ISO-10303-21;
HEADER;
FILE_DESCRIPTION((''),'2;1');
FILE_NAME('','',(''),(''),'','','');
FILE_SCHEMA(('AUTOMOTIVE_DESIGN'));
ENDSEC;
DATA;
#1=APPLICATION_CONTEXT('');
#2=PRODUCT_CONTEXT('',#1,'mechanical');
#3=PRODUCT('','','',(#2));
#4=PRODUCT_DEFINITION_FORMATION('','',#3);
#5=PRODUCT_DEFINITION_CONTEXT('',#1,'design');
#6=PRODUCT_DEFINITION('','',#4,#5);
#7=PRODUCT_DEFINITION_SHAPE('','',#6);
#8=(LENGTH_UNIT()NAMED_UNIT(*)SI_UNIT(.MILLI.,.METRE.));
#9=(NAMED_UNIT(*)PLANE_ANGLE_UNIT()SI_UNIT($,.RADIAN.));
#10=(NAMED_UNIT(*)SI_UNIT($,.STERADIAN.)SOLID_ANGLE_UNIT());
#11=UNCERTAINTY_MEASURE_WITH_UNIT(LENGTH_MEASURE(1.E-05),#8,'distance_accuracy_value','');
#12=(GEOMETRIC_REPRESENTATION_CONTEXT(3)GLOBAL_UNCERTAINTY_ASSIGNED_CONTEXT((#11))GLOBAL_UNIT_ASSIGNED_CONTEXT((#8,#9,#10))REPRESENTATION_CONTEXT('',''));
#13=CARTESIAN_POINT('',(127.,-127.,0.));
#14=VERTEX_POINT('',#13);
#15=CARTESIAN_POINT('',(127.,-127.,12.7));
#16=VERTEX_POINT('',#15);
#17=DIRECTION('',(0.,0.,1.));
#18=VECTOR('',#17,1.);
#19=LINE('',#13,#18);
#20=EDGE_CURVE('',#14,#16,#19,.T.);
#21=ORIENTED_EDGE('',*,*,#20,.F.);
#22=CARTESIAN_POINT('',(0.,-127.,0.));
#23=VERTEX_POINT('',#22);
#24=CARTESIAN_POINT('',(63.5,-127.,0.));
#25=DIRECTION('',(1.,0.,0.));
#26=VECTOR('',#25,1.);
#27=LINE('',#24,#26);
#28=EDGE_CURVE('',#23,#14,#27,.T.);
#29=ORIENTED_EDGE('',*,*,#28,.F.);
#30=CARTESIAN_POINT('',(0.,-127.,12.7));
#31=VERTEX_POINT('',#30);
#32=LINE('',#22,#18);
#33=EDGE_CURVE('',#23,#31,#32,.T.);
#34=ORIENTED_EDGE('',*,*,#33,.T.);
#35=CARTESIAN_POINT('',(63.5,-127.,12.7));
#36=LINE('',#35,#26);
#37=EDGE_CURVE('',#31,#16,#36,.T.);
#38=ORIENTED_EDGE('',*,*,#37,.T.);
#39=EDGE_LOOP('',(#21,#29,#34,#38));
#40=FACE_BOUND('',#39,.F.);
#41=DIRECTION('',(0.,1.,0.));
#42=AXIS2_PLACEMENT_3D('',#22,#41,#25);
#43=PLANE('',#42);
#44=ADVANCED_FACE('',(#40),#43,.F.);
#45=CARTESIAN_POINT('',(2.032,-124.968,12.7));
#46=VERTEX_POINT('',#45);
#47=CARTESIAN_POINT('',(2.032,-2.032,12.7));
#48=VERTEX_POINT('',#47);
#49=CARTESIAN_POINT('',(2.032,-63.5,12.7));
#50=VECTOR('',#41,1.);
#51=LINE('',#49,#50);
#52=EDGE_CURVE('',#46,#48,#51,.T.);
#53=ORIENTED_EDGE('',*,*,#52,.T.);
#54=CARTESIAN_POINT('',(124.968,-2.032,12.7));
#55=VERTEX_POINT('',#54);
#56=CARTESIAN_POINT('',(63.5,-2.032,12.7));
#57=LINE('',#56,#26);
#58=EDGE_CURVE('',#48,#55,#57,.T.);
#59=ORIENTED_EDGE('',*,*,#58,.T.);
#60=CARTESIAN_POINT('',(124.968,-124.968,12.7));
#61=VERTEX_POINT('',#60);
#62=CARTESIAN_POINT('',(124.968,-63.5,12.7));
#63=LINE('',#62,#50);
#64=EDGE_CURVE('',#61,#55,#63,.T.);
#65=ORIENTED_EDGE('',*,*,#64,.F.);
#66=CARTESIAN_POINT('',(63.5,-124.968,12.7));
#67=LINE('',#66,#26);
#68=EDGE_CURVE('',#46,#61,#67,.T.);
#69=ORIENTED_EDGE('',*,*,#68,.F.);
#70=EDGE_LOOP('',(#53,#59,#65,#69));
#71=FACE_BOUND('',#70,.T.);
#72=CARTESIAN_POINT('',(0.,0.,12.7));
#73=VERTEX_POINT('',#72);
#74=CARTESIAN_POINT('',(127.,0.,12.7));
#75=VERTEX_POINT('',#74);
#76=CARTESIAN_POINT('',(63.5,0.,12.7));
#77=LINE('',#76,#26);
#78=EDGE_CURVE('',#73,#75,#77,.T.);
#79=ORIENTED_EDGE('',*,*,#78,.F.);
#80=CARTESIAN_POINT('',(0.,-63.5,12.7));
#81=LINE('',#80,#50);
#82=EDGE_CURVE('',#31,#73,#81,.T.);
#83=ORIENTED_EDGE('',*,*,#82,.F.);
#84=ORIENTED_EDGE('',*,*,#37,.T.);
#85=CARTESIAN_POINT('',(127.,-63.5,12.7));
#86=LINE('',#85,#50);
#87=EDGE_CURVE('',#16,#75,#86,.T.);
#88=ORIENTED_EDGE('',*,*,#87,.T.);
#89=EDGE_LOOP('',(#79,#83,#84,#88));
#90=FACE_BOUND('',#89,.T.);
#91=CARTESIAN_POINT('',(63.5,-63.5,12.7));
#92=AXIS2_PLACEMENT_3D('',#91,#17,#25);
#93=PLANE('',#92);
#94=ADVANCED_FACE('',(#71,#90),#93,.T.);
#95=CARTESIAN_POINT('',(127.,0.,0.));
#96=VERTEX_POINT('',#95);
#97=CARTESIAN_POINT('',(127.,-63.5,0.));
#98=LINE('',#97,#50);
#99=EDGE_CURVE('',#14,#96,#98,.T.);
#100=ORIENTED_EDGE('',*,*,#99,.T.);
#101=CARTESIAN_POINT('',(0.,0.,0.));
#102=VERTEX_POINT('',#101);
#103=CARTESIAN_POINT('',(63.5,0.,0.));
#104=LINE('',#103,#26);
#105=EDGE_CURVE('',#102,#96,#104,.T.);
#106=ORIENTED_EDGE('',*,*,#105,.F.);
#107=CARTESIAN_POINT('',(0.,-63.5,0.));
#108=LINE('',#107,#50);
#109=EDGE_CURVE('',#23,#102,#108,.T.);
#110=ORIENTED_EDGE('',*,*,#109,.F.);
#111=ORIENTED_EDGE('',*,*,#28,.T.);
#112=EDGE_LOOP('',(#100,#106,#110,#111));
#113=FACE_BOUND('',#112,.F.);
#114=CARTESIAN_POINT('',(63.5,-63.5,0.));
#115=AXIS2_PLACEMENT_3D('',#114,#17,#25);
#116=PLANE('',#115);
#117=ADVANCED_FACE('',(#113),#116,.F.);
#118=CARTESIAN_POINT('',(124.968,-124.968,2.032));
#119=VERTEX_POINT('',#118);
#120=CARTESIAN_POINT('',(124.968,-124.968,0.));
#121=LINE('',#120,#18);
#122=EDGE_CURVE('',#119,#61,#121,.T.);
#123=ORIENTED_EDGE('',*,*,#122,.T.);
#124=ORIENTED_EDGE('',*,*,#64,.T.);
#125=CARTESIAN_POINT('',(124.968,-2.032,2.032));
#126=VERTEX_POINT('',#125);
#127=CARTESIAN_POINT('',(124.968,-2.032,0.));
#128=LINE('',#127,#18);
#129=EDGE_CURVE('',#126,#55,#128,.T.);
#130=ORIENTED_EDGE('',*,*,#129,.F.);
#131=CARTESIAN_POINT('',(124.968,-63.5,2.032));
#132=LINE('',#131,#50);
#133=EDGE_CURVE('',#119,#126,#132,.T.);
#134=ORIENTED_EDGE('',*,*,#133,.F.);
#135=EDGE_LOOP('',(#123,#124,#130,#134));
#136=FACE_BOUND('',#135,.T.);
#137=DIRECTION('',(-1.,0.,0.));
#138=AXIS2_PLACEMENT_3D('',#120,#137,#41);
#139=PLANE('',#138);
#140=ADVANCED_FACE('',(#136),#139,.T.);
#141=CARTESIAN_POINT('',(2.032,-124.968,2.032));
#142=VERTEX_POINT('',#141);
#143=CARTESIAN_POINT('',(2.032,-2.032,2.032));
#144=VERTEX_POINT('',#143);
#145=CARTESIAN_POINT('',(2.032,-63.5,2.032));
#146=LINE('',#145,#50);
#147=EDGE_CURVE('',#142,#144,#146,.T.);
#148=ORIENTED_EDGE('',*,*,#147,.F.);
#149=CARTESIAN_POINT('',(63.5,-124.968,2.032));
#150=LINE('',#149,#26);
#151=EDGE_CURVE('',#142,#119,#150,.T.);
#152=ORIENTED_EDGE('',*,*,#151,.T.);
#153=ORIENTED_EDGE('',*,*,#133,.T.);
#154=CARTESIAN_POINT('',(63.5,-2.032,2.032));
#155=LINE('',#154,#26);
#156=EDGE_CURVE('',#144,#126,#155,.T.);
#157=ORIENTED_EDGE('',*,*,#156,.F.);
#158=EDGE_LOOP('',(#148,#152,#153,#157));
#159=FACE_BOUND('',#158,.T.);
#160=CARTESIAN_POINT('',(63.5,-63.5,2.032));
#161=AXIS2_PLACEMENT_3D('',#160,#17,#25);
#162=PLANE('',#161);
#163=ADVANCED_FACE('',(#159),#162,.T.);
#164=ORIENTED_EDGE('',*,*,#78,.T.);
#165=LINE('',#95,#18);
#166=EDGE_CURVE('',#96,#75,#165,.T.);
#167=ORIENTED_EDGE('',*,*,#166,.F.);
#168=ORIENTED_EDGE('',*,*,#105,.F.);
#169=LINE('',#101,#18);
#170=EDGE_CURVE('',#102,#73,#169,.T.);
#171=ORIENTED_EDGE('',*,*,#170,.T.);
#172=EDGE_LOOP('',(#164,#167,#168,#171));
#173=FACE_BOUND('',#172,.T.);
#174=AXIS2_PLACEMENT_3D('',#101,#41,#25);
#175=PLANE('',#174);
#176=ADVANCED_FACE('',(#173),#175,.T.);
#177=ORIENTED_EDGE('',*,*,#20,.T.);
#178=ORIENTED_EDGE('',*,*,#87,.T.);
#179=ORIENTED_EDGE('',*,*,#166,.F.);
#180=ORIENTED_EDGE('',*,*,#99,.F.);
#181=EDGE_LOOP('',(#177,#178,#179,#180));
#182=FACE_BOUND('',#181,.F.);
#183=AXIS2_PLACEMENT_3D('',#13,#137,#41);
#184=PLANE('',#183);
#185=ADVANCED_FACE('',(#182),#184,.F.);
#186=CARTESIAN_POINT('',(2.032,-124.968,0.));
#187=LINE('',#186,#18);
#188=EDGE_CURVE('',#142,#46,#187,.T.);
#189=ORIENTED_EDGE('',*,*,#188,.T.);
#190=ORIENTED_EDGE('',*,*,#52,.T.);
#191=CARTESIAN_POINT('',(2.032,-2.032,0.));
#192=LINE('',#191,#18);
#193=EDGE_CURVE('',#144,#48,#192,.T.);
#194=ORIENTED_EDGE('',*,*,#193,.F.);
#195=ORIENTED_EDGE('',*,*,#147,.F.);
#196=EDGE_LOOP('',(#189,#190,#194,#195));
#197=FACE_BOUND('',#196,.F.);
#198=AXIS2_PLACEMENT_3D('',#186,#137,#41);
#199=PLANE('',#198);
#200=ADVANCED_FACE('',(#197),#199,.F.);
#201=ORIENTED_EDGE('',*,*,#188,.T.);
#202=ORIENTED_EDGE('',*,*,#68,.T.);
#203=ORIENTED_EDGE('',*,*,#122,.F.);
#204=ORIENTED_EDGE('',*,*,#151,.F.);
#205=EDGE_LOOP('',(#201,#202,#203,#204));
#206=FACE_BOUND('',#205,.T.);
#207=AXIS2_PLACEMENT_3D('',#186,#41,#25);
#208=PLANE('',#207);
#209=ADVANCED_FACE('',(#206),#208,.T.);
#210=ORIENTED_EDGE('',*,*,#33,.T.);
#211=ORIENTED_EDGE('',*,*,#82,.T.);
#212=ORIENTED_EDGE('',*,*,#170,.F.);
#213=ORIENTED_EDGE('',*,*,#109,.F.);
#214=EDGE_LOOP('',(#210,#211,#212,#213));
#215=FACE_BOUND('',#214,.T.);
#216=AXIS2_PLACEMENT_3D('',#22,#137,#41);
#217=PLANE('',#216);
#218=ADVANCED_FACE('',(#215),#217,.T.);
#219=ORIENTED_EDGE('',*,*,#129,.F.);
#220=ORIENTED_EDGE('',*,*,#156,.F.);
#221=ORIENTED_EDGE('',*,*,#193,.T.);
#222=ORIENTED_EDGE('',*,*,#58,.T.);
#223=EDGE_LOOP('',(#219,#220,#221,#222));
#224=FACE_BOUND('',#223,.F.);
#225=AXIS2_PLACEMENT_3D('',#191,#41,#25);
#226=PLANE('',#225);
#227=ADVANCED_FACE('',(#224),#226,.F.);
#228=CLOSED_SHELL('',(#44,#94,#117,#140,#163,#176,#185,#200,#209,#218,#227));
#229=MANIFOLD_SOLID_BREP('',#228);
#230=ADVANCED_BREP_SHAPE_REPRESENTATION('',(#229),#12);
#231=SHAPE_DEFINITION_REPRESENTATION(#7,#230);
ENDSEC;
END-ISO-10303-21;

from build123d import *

# Parameters (mm, degrees)
F0_W     = 122.936
F0_H     = 122.936
F1_DEPTH = 2.032
F0_W_2   = 127
F0_H_2   = 127
F2_DEPTH = 12.7


with BuildPart() as f1:
    # F0 (on Top) → F1 (new body)
    with BuildSketch(Plane.XY):
        with Locations((63.5, -63.5)):
            Rectangle(F0_W, F0_H)
    extrude(amount=F1_DEPTH)

    # F0 (on Top) → F2 (join)
    with BuildSketch(Plane.XY):
        with Locations((63.5, -63.5)):
            Rectangle(F0_W_2, F0_H_2)
        with Locations((63.5, -63.5)):
            Rectangle(F0_W, F0_H, mode=Mode.SUBTRACT)
    extrude(amount=F2_DEPTH)


solid = f1.part
